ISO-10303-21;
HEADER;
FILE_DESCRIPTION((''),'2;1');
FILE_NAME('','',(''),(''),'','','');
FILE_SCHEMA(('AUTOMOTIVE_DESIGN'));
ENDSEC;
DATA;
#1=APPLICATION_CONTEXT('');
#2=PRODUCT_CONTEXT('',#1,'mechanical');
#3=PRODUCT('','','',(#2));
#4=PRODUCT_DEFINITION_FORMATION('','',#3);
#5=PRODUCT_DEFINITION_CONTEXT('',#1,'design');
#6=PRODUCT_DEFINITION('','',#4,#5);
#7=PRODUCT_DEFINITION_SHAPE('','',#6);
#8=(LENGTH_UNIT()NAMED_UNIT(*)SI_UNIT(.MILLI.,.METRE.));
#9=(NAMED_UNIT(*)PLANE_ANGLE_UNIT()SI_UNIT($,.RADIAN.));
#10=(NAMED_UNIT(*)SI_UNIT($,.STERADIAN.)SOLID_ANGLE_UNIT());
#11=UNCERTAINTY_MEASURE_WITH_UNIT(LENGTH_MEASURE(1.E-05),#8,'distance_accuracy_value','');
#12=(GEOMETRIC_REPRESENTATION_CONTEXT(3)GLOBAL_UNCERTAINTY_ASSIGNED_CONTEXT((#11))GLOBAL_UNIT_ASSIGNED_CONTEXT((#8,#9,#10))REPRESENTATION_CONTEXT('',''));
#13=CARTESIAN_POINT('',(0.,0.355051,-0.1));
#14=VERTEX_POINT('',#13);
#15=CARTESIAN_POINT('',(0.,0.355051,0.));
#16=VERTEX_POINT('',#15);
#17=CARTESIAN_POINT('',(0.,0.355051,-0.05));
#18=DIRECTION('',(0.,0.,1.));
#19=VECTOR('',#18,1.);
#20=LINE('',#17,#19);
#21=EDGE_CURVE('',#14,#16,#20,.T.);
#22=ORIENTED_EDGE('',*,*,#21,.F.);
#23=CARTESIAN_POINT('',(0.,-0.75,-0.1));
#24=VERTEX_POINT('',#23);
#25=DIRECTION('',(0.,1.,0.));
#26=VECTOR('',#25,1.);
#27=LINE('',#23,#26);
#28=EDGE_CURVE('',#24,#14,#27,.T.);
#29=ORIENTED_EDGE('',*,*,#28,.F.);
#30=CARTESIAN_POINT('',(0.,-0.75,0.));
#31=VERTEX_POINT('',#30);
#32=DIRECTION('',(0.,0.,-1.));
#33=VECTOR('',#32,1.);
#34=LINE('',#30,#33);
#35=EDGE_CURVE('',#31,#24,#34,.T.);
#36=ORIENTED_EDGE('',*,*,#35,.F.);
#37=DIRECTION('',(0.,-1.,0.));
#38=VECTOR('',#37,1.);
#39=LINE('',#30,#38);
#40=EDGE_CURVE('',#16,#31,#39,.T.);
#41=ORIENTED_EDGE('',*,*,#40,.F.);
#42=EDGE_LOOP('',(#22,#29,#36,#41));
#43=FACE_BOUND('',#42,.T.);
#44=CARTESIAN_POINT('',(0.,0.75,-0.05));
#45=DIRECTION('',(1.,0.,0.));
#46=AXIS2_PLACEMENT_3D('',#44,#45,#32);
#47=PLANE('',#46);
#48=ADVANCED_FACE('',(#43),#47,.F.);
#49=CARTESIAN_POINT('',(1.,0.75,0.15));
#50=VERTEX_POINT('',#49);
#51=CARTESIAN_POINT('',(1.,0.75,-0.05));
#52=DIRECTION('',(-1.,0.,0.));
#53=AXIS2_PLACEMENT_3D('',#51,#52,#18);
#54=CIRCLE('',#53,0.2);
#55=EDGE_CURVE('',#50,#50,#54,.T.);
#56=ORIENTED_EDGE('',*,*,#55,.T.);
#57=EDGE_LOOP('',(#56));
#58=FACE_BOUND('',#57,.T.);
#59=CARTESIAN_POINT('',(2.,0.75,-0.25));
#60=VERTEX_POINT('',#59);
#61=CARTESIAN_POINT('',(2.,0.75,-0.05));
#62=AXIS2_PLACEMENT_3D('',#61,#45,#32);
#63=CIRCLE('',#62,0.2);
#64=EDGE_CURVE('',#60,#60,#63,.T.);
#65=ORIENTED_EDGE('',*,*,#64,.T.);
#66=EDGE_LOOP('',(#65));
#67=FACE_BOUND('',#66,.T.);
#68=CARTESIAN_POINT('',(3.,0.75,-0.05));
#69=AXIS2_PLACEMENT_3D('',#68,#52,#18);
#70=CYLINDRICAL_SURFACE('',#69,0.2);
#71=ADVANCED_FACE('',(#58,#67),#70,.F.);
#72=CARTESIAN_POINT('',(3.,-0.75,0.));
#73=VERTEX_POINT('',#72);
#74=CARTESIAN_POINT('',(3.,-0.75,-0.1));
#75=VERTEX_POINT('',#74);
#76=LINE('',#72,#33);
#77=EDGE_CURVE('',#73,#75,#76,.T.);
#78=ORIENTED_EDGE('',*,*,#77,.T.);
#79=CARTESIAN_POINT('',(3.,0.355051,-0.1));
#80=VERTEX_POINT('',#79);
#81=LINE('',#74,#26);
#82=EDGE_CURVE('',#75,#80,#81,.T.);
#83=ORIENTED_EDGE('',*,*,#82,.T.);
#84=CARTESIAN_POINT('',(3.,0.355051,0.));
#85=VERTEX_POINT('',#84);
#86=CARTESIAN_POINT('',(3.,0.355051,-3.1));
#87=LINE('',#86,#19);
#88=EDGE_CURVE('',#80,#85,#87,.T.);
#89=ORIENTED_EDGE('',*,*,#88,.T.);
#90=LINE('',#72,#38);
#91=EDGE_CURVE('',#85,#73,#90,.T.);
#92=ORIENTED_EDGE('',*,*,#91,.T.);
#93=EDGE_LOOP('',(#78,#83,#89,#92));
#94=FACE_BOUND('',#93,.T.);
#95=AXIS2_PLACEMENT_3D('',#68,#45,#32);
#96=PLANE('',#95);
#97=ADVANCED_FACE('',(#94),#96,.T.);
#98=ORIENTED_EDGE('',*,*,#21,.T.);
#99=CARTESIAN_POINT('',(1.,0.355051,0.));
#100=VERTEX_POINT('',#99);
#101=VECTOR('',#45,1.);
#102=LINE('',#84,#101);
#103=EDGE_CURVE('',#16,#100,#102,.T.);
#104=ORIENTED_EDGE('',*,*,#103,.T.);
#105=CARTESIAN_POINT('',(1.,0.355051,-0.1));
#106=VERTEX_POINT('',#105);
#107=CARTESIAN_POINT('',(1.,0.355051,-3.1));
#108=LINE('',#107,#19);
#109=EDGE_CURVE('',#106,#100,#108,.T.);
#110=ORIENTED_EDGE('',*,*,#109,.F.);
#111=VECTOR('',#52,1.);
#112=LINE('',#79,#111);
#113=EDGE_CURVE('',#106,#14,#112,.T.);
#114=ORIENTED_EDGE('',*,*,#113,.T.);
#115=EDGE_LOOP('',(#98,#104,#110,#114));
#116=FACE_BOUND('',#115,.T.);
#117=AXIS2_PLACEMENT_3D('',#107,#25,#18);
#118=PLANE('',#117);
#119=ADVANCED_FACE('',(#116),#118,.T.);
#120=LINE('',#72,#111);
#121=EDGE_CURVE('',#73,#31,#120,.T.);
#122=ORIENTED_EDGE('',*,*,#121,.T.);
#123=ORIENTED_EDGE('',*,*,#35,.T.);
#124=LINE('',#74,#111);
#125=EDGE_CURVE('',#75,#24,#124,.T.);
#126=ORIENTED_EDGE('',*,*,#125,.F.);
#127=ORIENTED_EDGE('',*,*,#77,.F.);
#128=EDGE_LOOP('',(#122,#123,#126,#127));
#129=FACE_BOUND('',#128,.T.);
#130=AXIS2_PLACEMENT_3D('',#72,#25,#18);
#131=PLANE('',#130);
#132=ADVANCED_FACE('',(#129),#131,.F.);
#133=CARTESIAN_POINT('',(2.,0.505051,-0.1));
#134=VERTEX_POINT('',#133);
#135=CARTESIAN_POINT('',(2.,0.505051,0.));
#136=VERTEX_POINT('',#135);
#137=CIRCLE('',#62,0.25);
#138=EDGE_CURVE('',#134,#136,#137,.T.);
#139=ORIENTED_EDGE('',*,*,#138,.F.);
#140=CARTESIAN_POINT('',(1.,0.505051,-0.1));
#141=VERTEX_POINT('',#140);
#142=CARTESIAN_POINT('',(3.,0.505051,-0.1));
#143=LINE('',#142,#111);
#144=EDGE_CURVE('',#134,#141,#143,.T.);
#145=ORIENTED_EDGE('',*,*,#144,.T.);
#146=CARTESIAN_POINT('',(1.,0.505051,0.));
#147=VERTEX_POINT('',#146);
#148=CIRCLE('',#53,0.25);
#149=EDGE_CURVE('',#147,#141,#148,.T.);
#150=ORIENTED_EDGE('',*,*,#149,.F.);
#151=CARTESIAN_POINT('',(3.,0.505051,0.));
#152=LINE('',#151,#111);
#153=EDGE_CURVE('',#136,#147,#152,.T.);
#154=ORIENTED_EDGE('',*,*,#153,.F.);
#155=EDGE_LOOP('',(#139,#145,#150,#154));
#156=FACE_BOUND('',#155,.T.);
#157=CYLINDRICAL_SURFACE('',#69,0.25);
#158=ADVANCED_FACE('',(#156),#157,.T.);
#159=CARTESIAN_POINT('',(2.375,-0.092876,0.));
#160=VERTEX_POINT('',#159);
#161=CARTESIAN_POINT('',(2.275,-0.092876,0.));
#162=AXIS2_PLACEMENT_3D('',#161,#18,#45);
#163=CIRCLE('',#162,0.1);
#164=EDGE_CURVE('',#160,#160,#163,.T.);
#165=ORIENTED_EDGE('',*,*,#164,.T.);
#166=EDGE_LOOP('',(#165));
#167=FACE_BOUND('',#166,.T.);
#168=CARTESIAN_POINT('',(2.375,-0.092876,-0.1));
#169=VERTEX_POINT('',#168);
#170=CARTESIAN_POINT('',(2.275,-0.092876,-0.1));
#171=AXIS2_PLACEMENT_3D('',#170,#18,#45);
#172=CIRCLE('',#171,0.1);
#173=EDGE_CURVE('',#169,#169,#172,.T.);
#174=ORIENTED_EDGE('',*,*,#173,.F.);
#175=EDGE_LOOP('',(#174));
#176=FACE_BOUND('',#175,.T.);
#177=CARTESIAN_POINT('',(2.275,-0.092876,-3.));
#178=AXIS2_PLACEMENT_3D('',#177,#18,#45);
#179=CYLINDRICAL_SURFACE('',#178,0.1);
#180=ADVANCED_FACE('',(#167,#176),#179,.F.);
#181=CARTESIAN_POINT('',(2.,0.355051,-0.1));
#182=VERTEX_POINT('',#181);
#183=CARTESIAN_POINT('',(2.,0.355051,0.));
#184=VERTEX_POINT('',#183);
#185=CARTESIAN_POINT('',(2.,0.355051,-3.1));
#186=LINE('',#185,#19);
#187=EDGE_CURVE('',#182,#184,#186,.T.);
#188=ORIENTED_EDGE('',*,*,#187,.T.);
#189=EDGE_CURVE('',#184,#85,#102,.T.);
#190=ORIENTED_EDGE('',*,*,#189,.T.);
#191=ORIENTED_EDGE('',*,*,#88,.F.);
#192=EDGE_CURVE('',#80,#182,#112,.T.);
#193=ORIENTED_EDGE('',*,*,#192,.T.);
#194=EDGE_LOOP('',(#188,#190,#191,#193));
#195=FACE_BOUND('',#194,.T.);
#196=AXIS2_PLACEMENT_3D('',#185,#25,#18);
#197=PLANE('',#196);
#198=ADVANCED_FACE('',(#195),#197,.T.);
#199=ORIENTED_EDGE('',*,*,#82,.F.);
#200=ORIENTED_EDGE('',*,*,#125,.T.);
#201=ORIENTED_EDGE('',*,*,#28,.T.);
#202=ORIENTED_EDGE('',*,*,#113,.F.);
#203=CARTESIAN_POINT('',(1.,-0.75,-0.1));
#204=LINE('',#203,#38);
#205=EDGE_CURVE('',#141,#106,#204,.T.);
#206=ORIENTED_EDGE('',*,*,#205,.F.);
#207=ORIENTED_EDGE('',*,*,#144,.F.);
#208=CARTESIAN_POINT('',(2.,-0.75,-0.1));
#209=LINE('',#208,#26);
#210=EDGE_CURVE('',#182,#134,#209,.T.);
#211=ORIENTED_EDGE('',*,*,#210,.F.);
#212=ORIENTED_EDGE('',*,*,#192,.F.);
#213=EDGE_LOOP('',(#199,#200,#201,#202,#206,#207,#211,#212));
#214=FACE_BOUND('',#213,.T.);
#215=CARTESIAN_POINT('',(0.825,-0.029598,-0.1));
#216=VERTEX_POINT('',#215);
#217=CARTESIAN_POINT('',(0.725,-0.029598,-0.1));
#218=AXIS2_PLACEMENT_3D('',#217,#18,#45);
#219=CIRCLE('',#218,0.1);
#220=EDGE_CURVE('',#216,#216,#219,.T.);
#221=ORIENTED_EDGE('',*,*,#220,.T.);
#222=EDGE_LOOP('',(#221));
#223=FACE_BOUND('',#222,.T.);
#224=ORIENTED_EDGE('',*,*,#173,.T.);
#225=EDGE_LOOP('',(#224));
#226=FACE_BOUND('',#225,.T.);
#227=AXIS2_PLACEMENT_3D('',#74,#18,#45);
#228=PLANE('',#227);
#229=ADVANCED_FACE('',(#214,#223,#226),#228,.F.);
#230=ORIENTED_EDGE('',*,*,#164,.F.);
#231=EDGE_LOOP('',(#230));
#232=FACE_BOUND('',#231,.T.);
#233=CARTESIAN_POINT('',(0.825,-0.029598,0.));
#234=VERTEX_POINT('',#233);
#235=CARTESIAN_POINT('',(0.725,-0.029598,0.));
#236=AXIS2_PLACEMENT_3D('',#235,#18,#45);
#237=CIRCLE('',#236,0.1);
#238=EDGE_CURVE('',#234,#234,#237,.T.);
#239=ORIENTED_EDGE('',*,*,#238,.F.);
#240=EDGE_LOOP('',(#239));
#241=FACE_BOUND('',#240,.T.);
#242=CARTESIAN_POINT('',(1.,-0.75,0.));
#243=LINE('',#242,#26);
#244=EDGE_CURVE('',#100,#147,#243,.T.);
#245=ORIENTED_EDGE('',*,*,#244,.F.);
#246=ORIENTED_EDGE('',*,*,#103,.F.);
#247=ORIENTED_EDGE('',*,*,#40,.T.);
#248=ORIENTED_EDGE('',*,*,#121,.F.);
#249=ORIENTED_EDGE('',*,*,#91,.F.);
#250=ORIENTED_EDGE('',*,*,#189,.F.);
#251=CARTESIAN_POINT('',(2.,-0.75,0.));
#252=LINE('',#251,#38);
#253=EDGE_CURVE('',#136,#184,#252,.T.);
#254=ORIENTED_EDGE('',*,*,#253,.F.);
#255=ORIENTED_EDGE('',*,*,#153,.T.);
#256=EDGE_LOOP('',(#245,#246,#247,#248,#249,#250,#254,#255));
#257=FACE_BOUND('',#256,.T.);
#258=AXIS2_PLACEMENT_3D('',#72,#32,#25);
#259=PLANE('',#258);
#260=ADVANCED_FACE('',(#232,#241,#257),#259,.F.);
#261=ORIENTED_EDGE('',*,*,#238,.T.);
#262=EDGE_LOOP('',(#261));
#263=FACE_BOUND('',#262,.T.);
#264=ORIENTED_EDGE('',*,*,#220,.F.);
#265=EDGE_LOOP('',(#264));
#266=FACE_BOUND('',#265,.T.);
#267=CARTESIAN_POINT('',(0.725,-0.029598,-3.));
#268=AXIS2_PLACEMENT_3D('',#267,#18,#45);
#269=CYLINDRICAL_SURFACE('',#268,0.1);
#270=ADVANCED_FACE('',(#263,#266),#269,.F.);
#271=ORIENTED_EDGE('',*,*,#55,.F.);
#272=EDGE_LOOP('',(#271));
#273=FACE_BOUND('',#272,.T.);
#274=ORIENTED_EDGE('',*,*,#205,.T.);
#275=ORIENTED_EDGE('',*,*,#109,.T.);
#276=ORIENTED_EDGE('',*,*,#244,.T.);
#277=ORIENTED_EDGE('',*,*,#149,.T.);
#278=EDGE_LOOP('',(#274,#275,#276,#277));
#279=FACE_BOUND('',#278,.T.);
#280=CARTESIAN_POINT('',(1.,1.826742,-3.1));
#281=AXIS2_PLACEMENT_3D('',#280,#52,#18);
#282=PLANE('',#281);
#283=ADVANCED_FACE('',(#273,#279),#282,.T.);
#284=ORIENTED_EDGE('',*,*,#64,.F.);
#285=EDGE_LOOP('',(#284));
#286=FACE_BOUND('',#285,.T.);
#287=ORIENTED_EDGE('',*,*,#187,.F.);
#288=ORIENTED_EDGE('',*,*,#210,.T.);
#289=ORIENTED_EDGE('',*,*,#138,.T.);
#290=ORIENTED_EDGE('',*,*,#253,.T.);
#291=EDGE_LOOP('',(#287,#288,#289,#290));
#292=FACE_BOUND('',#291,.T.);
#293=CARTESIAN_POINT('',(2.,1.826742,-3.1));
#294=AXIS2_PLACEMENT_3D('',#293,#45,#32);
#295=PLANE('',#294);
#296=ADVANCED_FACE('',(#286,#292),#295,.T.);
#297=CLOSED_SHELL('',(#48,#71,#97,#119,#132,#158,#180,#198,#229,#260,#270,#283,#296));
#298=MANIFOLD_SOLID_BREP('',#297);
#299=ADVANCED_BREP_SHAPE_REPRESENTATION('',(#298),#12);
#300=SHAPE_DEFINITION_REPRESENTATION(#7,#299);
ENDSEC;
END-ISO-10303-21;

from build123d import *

# Parameters (mm, degrees)
SKETCH_2_R               = 0.2
EXTRUDE_1_DEPTH          = 3
CUT_EXTRUDE_1_DEPTH      = 3
CUT_EXTRUDE_1_DEPTH_BACK = 3
SKETCH_3_W               = 1
SKETCH_3_H               = 1.471690569
SKETCH_4_R               = 0.1
CUT_EXTRUDE_2_DEPTH      = 3


with BuildPart() as part:
    # 草图2 → 凸台-拉伸1 (new body)
    with BuildSketch(Plane(origin=(0, 0, 0), x_dir=(0, 0, -1), z_dir=(1, 0, 0))):
        with BuildLine():
            Line((0, -0.75), (0.1, -0.75))
            Line((0.1, -0.75), (0.1, 0.505051026))
            ThreePointArc((0.1, 0.505051026), (0.05, 1), (0, 0.505051026))
            Line((0, 0.505051026), (0, -0.75))
        make_face()
        with Locations((0.05, 0.75)):
            Circle(SKETCH_2_R, mode=Mode.SUBTRACT)
    extrude(amount=EXTRUDE_1_DEPTH)

    # 草图3 → 切除-拉伸1 (cut, two sides: drawn at the far end of the back side and taken through both)
    with BuildSketch(Plane(origin=(0, 0, -0.1), x_dir=(-1, 0, 0), z_dir=(0, 0, -1)).offset(-CUT_EXTRUDE_1_DEPTH_BACK)):
        with Locations((-2.5, 1.090896311)):
            Rectangle(SKETCH_3_W, SKETCH_3_H)
        with Locations((-0.5, 1.090896311)):
            Rectangle(SKETCH_3_W, SKETCH_3_H)
    extrude(amount=CUT_EXTRUDE_1_DEPTH + CUT_EXTRUDE_1_DEPTH_BACK, mode=Mode.SUBTRACT)

    # 草图4 → 切除-拉伸2 (cut)
    with BuildSketch(Plane.XY):
        with Locations((0.725, -0.029598001)):
            Circle(SKETCH_4_R)
        with Locations((2.275, -0.092876486)):
            Circle(SKETCH_4_R)
    extrude(amount=-CUT_EXTRUDE_2_DEPTH, mode=Mode.SUBTRACT)


solid = part.part
